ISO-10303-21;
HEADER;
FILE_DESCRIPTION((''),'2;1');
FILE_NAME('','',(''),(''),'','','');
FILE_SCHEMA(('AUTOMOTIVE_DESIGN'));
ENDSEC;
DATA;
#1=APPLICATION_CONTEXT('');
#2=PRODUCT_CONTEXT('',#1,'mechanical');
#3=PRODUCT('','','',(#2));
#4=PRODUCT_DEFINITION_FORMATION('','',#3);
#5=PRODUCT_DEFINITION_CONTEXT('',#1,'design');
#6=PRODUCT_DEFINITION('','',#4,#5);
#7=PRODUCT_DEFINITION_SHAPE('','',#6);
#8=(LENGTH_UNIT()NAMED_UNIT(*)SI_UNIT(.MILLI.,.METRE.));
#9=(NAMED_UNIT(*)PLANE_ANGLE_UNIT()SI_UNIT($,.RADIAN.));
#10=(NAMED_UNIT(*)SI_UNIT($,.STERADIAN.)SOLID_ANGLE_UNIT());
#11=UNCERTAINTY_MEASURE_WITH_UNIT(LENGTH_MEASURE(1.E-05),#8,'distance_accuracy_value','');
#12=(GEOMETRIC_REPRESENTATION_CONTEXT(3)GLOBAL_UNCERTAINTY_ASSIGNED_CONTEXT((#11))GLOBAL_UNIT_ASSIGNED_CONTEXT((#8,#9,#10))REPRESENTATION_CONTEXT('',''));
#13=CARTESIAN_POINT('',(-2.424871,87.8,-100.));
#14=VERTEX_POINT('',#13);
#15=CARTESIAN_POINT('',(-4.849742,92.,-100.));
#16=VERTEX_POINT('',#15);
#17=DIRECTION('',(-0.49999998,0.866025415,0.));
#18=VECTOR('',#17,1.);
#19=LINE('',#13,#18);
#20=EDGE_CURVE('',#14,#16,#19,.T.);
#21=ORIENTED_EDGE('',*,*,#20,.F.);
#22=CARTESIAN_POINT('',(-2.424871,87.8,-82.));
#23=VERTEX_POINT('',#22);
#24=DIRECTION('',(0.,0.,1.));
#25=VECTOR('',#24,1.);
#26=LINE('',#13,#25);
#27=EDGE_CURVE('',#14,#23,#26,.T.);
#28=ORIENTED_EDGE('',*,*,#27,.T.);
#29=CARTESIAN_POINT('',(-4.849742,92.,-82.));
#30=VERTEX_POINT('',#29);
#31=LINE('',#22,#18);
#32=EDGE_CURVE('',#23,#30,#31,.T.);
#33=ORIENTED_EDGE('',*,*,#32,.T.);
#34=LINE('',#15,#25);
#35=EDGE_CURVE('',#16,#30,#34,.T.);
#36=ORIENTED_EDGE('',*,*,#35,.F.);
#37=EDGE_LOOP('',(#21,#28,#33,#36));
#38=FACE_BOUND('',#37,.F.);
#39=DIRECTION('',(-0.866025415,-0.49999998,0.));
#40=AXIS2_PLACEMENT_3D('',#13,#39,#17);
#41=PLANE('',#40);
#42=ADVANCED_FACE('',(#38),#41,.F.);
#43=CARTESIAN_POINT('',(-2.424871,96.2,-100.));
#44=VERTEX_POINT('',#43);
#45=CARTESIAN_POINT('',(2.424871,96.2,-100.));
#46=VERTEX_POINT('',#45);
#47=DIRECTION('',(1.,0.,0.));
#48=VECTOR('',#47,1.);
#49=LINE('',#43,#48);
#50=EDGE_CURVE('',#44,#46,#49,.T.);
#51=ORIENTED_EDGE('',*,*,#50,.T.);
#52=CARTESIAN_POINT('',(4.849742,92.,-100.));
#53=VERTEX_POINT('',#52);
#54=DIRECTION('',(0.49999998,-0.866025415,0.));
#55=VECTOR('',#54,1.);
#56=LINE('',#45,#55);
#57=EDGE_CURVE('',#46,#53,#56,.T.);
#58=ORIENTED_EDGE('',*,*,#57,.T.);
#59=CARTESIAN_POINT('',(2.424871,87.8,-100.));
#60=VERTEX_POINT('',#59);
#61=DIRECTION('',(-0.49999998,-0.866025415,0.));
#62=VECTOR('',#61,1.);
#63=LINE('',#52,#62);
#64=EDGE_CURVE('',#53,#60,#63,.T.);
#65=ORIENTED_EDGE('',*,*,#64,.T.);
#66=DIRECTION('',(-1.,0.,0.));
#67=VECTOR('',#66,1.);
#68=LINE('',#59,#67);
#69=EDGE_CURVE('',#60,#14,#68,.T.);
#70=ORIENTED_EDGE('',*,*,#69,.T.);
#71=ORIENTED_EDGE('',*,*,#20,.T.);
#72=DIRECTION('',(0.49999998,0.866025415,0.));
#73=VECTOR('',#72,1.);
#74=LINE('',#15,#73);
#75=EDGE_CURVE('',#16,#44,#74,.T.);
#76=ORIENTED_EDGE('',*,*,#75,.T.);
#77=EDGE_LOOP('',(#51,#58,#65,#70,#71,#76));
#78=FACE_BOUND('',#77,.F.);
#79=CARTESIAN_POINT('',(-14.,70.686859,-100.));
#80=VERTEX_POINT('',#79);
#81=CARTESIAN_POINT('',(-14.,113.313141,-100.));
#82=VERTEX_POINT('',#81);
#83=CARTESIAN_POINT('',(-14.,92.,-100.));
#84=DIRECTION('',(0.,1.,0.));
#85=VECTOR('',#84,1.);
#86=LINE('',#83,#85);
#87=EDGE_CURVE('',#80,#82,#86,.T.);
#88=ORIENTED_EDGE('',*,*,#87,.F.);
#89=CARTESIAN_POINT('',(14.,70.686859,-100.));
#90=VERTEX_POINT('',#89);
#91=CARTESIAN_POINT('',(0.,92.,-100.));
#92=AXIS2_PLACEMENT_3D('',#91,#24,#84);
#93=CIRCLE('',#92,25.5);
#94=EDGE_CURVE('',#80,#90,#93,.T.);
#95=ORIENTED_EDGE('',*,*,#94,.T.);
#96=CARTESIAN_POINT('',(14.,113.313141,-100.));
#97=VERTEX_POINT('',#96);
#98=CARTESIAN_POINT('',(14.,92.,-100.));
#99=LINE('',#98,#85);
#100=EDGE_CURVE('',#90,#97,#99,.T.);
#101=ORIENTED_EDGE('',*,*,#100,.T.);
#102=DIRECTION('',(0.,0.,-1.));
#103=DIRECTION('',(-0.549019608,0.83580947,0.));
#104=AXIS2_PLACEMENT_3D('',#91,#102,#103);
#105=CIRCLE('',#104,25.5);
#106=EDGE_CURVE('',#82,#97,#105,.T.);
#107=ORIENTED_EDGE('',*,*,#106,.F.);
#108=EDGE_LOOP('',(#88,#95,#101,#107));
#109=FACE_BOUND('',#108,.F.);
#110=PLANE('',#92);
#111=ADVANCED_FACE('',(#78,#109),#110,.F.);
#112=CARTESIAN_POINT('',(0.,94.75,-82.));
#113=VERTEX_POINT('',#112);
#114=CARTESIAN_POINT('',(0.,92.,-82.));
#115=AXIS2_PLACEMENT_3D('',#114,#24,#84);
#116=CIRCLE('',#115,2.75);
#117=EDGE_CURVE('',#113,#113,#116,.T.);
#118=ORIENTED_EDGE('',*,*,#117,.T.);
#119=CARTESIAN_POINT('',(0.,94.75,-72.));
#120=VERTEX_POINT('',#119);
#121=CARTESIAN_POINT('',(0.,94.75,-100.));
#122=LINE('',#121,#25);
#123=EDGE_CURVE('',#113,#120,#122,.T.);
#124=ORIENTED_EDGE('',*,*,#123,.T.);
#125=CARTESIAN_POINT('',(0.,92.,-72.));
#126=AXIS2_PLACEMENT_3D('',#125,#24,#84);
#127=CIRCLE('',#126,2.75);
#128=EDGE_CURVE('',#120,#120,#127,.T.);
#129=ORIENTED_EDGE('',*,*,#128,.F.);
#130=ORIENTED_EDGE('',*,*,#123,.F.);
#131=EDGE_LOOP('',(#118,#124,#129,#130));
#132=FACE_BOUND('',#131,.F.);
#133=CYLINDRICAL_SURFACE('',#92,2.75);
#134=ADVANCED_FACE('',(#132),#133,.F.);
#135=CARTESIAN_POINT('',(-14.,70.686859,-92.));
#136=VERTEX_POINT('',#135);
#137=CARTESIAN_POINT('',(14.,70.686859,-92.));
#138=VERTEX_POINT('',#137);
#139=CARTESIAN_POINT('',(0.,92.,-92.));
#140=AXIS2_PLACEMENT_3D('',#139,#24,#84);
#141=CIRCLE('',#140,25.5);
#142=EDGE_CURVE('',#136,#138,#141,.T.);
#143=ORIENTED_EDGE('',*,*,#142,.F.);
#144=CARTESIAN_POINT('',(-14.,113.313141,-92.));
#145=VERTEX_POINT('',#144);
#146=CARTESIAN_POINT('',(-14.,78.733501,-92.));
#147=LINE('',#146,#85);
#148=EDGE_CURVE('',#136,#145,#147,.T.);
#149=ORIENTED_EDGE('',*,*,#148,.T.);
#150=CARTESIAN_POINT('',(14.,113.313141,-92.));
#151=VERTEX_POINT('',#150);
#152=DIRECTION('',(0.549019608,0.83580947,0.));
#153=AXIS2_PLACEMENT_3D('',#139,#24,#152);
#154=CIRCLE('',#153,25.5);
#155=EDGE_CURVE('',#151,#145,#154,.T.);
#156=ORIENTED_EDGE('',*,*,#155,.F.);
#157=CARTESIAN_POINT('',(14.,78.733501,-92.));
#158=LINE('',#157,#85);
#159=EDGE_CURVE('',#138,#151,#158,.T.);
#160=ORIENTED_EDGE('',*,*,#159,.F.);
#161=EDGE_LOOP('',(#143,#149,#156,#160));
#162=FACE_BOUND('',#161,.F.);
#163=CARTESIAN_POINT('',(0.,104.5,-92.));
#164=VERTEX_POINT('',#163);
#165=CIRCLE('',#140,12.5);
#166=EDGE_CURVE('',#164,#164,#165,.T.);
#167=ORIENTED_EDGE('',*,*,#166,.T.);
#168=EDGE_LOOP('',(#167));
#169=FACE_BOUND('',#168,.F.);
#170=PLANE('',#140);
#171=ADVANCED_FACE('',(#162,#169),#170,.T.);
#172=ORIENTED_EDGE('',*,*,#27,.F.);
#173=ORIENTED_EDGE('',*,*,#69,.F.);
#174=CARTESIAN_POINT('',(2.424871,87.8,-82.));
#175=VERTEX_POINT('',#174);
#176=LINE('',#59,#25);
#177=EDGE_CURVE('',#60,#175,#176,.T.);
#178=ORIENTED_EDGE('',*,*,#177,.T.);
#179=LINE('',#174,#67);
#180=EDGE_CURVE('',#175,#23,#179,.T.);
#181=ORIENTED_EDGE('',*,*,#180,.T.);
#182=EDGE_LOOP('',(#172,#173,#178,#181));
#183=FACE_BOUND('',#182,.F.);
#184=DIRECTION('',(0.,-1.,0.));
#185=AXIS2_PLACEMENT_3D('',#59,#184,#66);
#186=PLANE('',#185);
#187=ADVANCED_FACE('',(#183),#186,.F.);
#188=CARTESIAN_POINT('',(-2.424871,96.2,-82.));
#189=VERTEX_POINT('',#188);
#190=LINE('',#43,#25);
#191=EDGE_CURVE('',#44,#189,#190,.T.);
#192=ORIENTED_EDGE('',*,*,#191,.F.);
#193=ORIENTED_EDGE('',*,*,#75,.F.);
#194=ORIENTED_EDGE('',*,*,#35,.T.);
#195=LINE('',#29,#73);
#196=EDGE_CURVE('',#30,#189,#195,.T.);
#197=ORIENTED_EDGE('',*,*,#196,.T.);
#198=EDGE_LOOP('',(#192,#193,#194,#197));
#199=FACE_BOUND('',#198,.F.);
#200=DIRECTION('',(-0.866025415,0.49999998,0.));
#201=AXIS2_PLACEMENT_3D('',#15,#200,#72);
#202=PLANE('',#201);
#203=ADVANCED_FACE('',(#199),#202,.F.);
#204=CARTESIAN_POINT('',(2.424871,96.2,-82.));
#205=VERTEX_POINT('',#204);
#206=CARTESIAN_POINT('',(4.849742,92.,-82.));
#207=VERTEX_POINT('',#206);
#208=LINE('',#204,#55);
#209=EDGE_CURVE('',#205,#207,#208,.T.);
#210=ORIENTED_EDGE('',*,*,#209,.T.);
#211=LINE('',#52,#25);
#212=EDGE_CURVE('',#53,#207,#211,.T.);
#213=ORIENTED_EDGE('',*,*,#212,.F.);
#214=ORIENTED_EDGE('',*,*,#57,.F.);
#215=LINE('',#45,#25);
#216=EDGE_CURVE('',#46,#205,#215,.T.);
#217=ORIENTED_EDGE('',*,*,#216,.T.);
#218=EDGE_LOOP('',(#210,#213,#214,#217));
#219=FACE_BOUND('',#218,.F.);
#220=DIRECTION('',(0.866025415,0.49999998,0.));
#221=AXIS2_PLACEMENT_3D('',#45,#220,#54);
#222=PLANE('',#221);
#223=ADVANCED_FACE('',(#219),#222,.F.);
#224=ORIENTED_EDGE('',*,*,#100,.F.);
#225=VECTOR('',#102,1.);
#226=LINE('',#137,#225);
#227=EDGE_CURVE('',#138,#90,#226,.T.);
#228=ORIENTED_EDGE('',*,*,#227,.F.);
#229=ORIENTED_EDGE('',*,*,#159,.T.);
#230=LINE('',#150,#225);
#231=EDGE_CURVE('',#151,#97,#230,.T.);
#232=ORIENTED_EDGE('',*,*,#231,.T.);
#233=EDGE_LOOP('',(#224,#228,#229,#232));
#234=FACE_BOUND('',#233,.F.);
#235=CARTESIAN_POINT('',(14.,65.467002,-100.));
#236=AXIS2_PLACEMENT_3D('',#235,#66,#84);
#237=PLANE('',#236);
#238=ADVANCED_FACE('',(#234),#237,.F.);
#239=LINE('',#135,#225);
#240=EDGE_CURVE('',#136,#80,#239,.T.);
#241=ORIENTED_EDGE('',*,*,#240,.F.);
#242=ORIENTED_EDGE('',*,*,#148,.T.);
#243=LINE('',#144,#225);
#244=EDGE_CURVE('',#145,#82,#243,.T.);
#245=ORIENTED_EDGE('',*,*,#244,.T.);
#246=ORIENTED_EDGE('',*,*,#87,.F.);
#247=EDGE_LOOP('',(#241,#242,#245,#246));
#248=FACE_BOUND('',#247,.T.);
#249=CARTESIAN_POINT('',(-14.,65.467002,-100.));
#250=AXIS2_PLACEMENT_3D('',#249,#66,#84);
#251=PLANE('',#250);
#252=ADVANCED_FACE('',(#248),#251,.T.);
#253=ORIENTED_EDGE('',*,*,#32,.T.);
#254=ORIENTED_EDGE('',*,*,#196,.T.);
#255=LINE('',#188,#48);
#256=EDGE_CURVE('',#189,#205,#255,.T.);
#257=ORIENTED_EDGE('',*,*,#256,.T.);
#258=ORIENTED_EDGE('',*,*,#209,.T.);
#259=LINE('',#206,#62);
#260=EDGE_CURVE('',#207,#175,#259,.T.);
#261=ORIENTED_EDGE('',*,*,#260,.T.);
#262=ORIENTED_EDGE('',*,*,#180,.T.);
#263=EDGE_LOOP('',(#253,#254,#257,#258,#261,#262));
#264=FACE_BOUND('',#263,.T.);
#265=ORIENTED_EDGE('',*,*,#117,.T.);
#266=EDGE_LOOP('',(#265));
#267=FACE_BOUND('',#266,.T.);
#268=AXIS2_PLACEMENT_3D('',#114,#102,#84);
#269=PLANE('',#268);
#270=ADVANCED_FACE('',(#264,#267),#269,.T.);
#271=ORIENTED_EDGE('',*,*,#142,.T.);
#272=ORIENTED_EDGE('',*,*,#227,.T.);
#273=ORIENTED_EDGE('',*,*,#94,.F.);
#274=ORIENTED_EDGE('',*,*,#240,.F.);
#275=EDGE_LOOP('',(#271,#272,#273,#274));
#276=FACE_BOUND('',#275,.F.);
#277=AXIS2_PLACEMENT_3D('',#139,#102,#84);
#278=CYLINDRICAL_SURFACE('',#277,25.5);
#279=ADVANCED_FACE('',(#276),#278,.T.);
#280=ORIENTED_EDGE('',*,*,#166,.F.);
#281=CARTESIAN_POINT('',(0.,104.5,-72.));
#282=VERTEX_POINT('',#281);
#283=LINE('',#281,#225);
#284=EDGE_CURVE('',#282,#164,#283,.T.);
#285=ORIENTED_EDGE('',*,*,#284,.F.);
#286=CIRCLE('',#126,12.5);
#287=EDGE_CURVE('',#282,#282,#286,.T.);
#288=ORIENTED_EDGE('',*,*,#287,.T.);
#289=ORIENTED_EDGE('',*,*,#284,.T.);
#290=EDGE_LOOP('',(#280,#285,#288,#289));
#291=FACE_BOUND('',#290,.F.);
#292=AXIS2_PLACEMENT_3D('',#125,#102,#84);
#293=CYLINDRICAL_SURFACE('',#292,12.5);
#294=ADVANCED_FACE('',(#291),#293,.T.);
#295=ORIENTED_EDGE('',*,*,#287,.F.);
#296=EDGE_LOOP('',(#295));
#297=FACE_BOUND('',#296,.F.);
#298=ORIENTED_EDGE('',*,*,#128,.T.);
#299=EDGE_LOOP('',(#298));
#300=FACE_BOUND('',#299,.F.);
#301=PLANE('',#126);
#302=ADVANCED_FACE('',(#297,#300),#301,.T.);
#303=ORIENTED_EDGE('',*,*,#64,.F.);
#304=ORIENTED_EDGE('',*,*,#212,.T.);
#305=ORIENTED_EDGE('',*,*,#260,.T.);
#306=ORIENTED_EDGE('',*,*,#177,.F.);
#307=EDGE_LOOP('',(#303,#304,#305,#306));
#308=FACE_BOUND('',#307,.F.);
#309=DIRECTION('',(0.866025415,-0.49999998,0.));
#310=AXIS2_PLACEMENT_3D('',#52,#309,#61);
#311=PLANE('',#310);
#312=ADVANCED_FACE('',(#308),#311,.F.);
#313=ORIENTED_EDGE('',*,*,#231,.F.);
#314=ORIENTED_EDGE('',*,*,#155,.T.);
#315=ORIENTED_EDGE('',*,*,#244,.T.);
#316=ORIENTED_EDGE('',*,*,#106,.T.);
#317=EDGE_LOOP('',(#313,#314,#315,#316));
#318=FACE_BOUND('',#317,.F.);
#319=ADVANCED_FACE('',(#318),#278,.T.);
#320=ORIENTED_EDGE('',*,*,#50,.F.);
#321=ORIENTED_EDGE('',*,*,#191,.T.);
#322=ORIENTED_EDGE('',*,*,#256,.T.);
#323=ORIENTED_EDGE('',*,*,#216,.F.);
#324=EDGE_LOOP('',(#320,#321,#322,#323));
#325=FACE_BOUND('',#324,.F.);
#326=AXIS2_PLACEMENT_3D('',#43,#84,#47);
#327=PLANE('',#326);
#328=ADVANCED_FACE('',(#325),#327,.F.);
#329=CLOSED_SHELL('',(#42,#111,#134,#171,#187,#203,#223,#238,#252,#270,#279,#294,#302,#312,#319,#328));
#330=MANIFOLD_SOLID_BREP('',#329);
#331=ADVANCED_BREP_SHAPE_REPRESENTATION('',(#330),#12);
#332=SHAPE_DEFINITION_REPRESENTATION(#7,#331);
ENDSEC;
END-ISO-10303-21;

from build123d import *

# Parameters (mm, degrees)
SKETCH151_W     = 65
SKETCH151_H     = 65
SKETCH151_W_2   = 53.065996
SKETCH151_H_2   = 28
POCKET099_DEPTH = 28.001
POCKET100_DEPTH = 18


with BuildPart() as part:
    # Sketch103 → Revolution002 (revolve)
    with BuildSketch(Plane.YZ):
        Polygon((2.75, 0), (12.5, 0), (12.5, -20), (25.5, -20), (25.5, -28), (2.75, -28), align=None)
    revolve(axis=Axis((0, 0, 0), (0, 0, 1)))

    # Sketch151 (on Face5 of Revolution002) → Pocket099 (cut, through all)
    with BuildSketch(Plane.YX.offset(28)):
        Rectangle(SKETCH151_W, SKETCH151_H)
        Rectangle(SKETCH151_W_2, SKETCH151_H_2, mode=Mode.SUBTRACT)
    extrude(amount=-POCKET099_DEPTH, mode=Mode.SUBTRACT)

    # Sketch142 (on Face5 of Revolution002) → Pocket100 (cut)
    with BuildSketch(Plane.YX.offset(28)):
        Polygon((4.2, 2.424871), (0, 4.849742), (-4.2, 2.424871), (-4.2, -2.424871), (0, -4.849742), (4.2, -2.424871), align=None)
    extrude(amount=-POCKET100_DEPTH, mode=Mode.SUBTRACT)


with BuildPart() as part_1:
    # Body022019 placement: moved
    add(part.part.moved(Location((0, 92, -72))))


solid = part_1.part
